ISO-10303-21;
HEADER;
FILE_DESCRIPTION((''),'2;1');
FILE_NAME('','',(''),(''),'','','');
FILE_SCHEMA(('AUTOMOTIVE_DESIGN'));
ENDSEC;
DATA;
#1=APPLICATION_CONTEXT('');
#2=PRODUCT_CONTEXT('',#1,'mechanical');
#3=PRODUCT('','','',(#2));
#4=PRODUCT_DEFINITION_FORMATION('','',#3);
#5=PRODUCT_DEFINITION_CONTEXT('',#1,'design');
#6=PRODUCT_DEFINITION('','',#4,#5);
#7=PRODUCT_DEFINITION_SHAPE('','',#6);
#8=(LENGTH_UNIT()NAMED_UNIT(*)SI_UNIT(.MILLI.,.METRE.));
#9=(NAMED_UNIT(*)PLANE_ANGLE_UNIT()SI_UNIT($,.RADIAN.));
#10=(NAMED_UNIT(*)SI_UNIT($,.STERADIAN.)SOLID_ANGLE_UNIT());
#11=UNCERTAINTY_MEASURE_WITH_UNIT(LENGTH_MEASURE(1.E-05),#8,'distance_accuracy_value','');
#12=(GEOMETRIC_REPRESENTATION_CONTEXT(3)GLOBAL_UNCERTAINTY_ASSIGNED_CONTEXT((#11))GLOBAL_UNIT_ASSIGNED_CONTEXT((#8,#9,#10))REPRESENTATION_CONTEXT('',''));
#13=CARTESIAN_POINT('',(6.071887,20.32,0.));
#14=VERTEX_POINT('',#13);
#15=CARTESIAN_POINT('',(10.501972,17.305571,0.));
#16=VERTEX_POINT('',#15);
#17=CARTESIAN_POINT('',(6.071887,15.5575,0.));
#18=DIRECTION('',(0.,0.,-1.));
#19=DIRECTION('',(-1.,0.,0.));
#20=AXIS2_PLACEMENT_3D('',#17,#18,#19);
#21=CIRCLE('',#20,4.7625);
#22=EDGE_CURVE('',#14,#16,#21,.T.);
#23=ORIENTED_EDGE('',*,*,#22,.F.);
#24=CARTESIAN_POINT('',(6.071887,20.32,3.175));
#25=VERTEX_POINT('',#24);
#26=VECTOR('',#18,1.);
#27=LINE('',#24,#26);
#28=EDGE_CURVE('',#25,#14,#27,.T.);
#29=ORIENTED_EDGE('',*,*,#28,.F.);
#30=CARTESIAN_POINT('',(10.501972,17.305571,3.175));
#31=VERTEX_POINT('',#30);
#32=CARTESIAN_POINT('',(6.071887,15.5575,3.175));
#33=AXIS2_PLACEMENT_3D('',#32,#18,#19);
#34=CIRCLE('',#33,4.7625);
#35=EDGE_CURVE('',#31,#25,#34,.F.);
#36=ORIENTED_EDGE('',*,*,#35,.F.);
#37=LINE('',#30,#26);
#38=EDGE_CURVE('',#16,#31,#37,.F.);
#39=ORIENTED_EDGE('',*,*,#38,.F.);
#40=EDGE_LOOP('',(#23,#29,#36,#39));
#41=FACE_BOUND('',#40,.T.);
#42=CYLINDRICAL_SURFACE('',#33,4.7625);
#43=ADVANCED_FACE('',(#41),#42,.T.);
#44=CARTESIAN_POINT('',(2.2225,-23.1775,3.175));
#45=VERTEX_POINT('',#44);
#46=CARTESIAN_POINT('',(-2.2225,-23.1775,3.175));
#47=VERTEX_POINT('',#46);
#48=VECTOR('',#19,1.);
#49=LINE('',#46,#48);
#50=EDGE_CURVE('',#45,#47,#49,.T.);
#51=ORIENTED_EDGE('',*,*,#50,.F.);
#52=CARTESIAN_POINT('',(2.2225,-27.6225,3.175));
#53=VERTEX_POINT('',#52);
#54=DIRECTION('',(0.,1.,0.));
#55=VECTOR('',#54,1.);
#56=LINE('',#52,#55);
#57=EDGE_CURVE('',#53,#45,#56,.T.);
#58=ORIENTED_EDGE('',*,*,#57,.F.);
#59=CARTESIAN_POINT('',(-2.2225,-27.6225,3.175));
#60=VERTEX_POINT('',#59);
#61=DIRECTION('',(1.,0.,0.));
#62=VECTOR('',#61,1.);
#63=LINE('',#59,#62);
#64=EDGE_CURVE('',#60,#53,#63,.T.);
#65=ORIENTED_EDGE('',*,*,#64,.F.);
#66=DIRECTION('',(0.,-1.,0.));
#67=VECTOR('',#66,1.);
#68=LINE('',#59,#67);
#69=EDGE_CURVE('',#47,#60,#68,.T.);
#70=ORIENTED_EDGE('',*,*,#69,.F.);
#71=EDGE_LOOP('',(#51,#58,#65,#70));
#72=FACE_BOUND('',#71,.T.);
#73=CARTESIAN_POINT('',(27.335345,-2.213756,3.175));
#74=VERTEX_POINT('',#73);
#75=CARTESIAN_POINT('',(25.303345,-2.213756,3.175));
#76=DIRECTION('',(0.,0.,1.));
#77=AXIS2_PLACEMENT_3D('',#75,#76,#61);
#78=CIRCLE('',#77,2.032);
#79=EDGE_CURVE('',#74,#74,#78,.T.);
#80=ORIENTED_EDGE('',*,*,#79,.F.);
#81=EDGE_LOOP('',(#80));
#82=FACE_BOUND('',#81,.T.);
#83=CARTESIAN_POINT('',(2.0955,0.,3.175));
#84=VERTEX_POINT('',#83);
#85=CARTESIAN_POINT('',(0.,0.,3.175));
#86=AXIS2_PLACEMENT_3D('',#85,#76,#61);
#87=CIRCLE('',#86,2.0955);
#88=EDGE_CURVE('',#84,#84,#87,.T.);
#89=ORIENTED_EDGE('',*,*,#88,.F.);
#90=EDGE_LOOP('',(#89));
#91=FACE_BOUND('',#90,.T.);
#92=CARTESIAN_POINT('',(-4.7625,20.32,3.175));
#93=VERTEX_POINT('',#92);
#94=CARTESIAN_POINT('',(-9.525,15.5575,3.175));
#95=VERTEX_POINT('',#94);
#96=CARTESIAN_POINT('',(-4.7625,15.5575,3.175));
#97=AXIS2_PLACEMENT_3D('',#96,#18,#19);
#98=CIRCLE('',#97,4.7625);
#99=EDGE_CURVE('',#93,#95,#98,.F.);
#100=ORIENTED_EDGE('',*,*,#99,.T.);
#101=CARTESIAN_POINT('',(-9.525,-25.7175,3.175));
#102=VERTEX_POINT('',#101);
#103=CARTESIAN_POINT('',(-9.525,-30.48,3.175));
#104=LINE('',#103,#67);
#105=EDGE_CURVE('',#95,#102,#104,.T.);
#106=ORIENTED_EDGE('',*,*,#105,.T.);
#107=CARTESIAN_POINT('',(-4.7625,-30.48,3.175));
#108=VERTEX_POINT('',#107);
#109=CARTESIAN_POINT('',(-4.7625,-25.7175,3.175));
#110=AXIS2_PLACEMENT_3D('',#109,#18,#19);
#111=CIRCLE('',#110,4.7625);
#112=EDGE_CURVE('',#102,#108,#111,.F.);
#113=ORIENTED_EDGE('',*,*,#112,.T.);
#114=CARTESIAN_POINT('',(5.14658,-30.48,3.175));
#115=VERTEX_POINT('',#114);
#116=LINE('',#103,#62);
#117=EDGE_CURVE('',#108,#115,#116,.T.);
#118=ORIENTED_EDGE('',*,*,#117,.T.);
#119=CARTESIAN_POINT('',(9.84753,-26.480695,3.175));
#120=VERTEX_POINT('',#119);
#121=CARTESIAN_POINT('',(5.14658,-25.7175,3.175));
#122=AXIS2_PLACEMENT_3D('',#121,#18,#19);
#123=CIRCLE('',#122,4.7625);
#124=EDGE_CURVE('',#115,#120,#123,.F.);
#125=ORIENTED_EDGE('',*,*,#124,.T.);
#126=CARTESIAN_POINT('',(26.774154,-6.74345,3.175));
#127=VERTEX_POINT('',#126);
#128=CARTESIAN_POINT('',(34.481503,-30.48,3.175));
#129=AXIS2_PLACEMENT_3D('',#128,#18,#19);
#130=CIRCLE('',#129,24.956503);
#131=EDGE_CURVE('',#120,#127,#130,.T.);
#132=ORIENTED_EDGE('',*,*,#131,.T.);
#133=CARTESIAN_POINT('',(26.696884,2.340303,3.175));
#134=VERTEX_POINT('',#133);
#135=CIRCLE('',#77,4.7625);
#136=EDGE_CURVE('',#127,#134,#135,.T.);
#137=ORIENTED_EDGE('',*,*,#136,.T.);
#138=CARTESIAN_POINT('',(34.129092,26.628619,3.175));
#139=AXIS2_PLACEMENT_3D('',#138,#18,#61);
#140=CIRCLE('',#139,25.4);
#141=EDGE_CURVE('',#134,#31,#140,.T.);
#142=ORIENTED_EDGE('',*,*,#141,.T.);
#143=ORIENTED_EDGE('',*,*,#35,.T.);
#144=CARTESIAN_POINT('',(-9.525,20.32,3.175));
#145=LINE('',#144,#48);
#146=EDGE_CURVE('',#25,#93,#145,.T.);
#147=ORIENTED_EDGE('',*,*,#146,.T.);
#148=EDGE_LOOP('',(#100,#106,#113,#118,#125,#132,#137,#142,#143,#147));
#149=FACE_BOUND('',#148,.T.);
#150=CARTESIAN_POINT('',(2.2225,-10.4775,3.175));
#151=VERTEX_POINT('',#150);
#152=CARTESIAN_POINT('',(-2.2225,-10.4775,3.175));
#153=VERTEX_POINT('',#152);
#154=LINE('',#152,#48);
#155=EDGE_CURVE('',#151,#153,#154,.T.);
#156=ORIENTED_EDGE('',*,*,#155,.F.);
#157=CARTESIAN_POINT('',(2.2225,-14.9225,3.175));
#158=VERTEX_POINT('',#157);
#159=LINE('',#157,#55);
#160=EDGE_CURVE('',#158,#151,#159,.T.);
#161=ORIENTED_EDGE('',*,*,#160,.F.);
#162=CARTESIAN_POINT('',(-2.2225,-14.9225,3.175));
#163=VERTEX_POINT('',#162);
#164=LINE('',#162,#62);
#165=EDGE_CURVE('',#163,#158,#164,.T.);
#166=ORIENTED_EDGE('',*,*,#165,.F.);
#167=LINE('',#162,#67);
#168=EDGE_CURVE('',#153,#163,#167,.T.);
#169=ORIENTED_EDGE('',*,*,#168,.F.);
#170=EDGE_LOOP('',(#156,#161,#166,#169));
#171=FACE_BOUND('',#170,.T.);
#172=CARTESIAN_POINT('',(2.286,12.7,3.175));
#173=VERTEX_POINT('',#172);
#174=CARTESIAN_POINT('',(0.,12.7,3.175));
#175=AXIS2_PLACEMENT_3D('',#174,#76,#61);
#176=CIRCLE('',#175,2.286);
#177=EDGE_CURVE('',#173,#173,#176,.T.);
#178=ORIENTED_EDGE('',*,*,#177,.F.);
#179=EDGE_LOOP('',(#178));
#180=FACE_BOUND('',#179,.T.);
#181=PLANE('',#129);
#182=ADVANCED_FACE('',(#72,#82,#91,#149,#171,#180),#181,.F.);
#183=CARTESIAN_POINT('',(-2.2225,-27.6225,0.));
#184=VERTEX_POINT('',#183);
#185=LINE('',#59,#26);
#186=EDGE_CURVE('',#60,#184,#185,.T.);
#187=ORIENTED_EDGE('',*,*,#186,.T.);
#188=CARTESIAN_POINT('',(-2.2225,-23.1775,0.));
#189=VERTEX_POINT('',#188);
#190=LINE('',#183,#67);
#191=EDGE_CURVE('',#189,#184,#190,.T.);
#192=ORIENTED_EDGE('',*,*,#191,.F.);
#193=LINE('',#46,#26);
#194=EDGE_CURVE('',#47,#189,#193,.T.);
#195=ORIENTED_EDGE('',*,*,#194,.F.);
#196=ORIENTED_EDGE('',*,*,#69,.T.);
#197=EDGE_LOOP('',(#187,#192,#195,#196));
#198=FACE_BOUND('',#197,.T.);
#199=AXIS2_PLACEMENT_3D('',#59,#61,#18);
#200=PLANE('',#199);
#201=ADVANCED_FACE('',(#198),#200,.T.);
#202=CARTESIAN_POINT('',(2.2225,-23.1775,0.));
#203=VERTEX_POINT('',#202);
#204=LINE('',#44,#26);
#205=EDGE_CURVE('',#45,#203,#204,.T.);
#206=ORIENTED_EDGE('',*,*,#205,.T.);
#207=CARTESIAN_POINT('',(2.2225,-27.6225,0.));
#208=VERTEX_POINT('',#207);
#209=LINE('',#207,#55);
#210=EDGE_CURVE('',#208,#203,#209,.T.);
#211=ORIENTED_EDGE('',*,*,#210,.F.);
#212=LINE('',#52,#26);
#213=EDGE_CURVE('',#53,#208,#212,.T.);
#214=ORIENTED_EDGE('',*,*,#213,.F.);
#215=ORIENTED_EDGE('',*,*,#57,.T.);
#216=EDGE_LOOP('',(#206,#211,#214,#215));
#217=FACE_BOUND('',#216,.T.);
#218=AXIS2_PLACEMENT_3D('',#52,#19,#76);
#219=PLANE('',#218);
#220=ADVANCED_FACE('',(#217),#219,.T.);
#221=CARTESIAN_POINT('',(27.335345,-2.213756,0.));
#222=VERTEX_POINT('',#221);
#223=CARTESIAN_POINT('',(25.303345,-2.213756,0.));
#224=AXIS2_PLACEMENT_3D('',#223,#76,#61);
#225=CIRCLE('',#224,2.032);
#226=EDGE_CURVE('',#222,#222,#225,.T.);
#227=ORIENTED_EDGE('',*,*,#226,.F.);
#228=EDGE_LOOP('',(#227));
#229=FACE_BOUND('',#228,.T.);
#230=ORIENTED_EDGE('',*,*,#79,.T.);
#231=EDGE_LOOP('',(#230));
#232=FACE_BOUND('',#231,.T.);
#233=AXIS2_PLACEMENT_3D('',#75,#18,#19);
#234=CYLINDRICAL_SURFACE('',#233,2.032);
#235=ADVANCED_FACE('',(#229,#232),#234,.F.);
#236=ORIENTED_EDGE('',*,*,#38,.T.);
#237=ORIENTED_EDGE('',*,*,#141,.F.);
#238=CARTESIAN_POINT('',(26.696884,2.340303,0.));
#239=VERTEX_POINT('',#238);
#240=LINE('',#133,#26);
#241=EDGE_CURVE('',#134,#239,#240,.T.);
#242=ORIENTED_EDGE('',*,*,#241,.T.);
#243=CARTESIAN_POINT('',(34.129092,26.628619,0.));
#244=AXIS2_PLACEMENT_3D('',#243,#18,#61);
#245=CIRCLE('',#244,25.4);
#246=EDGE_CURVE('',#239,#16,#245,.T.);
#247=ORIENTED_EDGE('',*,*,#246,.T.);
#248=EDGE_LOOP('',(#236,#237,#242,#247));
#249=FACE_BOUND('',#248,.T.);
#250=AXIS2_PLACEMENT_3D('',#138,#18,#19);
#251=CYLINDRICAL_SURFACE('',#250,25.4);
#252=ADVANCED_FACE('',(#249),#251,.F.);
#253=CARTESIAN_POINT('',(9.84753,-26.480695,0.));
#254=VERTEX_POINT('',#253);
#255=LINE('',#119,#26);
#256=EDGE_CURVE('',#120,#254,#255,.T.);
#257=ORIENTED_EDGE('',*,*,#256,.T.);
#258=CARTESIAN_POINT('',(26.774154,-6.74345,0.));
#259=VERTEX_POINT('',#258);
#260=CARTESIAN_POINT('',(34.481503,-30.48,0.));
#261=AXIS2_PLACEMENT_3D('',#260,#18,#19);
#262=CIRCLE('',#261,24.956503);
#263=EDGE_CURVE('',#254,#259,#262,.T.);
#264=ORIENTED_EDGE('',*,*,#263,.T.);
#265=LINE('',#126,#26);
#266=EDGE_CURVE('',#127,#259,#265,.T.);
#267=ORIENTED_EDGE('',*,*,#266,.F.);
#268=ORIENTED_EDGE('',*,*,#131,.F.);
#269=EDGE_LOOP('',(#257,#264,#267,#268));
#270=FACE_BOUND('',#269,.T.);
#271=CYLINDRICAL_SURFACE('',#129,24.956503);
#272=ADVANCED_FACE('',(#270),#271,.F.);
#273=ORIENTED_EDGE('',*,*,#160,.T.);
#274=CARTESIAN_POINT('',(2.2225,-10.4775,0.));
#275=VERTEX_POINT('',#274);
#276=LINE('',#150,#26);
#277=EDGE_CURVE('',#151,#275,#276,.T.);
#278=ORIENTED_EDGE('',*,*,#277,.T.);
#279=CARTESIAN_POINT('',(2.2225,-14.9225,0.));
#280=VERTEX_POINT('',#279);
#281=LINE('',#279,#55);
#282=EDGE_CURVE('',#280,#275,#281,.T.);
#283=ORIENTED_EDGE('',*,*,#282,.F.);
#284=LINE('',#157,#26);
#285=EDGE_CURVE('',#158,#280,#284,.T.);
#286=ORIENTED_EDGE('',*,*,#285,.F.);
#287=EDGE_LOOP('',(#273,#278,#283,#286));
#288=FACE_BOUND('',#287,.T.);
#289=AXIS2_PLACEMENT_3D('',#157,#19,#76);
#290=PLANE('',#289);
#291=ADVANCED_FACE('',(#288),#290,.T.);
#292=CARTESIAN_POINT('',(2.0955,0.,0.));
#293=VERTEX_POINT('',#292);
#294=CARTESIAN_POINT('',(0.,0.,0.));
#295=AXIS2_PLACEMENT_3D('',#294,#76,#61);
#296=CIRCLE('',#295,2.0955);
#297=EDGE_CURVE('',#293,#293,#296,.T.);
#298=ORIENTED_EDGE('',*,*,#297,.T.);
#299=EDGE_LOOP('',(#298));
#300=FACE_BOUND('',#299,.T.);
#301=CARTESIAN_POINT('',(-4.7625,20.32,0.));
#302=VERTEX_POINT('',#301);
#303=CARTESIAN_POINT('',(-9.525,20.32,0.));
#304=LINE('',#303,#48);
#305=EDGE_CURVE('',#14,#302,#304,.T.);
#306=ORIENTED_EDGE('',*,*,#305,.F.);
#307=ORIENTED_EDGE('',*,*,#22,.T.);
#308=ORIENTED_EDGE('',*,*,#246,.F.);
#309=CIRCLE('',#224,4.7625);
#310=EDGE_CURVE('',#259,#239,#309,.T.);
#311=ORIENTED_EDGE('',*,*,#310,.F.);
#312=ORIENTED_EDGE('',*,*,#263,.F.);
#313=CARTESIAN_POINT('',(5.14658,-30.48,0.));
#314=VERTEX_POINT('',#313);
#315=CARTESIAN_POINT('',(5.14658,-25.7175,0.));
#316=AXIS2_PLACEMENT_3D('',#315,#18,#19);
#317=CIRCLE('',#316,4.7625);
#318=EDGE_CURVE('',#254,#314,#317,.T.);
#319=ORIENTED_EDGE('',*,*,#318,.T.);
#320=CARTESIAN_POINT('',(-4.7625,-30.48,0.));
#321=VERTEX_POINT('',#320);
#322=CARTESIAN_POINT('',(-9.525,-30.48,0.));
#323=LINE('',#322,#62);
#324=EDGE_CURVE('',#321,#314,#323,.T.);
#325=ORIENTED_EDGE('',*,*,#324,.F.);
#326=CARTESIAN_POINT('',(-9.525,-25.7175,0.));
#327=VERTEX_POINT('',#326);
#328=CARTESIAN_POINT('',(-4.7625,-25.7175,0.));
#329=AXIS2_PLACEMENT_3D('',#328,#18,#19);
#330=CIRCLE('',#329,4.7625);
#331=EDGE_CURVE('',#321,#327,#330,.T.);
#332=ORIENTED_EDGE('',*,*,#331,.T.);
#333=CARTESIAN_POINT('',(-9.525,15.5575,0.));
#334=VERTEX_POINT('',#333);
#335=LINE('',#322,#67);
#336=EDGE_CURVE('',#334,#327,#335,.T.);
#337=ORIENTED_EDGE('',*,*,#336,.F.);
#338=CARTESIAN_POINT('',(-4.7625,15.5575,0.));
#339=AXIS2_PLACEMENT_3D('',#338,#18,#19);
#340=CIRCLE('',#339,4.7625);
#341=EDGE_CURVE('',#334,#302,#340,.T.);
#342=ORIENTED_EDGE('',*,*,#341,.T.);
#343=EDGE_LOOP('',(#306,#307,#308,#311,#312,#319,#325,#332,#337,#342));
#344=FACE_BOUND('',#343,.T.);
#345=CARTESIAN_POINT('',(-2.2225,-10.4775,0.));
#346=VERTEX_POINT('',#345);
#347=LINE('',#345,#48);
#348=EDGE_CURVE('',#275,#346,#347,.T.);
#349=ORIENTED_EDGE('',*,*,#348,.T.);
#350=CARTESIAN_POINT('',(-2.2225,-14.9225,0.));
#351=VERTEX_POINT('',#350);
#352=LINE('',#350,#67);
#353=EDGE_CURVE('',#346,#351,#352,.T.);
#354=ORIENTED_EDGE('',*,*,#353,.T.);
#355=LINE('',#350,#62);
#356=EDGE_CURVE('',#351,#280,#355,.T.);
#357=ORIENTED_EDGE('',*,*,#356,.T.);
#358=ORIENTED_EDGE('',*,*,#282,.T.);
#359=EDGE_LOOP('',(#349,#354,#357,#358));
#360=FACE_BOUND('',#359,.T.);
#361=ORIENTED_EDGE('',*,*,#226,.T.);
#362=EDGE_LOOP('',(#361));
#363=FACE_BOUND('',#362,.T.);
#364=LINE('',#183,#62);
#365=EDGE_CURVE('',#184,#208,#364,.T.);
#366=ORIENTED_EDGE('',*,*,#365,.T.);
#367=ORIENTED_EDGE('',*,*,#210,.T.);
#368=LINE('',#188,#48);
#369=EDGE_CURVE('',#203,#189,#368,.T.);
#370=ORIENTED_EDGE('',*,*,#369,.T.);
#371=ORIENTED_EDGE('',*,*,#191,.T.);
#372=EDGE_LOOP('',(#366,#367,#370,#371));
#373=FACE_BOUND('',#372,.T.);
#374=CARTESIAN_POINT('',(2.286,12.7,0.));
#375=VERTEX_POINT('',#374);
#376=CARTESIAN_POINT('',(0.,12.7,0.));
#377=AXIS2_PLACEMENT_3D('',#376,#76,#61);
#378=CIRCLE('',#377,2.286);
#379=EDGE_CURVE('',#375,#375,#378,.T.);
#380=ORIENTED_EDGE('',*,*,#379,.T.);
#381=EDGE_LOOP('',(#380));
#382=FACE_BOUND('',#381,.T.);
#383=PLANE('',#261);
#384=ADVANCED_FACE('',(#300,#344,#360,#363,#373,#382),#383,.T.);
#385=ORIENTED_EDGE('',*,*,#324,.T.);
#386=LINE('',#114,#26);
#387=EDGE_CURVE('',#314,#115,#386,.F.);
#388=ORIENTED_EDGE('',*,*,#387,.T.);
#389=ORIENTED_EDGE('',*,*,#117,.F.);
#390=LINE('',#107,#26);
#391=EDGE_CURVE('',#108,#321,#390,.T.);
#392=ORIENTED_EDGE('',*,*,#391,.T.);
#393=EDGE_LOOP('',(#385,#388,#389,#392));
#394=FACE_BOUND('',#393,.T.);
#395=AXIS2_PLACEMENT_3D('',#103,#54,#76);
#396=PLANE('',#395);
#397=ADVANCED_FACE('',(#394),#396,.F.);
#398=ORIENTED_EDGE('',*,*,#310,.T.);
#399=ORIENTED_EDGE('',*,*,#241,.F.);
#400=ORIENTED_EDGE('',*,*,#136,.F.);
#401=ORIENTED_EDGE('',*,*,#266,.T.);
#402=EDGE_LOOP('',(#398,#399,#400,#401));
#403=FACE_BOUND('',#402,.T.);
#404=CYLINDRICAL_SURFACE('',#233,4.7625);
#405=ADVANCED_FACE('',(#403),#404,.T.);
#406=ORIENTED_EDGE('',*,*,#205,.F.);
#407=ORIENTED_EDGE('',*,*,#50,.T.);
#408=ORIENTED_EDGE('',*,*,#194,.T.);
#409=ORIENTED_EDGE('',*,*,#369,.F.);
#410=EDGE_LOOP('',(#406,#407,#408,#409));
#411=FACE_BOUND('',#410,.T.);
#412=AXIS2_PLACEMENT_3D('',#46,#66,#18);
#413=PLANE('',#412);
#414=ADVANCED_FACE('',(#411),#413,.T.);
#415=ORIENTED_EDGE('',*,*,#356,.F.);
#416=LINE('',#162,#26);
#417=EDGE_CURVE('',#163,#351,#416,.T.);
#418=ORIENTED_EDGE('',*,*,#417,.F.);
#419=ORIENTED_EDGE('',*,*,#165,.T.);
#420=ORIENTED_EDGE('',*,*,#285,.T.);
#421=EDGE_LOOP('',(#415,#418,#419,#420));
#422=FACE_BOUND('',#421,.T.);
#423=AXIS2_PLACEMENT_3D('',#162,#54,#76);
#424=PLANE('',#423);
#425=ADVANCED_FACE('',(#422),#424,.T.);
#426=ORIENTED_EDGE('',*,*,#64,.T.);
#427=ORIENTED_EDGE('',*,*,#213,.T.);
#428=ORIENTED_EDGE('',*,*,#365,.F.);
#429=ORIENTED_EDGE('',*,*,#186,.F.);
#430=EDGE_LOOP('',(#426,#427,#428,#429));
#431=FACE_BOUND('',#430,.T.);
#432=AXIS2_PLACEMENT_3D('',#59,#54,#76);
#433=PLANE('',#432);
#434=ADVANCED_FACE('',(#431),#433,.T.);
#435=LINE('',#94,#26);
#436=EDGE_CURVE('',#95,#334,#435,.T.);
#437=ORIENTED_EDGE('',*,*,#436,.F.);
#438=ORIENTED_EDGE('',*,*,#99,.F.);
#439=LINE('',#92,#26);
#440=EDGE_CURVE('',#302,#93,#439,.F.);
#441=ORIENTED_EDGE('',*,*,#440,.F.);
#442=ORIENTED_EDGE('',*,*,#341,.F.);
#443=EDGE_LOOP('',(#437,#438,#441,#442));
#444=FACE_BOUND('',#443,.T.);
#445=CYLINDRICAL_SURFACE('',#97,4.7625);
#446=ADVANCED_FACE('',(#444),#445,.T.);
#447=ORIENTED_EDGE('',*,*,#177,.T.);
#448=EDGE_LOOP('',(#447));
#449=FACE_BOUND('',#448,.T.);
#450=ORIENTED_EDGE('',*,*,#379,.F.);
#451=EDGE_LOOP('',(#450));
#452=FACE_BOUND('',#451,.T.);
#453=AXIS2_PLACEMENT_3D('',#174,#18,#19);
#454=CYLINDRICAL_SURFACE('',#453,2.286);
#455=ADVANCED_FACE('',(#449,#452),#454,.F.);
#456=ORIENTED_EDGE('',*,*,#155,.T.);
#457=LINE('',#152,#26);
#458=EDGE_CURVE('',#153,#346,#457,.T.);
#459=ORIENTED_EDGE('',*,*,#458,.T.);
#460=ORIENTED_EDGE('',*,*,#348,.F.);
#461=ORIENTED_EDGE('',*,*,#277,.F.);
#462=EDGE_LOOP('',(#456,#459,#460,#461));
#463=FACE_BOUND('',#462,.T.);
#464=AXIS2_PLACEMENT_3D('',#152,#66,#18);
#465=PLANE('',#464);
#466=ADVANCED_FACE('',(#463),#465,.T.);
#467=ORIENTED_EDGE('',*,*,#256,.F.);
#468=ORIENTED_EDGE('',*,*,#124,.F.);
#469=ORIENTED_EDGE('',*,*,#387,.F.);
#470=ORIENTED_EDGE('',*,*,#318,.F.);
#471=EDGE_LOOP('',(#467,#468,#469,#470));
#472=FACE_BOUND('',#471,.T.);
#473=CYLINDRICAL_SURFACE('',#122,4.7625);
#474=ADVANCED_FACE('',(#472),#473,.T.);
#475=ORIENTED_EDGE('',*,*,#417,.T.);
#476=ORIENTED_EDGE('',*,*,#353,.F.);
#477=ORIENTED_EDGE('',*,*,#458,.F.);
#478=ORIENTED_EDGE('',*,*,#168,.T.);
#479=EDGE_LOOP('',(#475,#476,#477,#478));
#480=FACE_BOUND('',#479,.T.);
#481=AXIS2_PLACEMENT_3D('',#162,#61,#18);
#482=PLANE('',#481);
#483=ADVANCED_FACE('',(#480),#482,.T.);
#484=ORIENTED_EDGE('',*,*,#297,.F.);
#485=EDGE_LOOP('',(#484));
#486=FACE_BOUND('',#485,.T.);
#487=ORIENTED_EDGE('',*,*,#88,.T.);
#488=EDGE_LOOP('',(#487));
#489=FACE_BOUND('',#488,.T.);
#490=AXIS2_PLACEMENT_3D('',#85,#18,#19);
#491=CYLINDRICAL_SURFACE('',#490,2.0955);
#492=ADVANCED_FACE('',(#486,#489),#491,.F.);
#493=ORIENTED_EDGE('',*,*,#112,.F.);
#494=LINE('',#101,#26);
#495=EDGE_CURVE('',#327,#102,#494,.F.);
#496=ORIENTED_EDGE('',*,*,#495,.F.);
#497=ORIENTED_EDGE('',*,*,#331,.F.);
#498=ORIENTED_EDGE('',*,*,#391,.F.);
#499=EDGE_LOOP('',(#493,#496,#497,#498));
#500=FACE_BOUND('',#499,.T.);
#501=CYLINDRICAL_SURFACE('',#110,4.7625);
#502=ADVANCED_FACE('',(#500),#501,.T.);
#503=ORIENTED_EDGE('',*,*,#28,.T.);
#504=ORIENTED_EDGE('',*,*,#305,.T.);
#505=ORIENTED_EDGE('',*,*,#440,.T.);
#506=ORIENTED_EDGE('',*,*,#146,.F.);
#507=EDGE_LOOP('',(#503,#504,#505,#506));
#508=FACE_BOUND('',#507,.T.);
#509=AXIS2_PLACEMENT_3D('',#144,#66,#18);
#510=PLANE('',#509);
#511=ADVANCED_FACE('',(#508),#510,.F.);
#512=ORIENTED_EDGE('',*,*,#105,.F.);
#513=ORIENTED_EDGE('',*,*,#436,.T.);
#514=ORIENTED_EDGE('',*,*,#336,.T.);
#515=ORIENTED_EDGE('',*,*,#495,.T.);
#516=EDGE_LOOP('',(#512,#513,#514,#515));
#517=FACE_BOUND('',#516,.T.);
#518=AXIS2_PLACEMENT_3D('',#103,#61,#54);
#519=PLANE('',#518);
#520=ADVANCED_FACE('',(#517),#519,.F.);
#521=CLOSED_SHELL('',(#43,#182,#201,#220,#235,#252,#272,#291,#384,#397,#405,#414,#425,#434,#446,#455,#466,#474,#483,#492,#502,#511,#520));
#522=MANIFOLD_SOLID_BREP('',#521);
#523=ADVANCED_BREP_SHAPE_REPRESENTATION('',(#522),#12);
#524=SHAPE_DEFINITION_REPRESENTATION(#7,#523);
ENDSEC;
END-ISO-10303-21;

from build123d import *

# Parameters (mm, degrees)
SKETCH1_R           = 2.032
SKETCH1_R_2         = 2.286
SKETCH1_R_3         = 2.0955
SKETCH1_W           = 4.445
SKETCH1_H           = 4.445
BOSS_EXTRUDE1_DEPTH = 3.175
FILLET1_R           = 4.7625


with BuildPart() as part:
    # Sketch1 → Boss-Extrude1 (new body)
    with BuildSketch(Plane.XY):
        with BuildLine():
            Line((-9.525, -30.48), (-9.525, 20.32))
            Line((-9.525, 20.32), (9.525, 20.32))
            ThreePointArc((9.525, 20.32), (15.760681597, 9.08548638), (26.69688421, 2.340303383))
            ThreePointArc((26.69688421, 2.340303383), (30.065673036, -2.173245584), (26.774154282, -6.743449816))
            ThreePointArc((26.774154282, -6.743449816), (14.292700247, -15.808964436), (9.525, -30.48))
            Line((9.525, -30.48), (-9.525, -30.48))
        make_face()
        with Locations((25.303345332, -2.213755866)):
            Circle(SKETCH1_R, mode=Mode.SUBTRACT)
        with Locations((0, 12.7)):
            Circle(SKETCH1_R_2, mode=Mode.SUBTRACT)
        Circle(SKETCH1_R_3, mode=Mode.SUBTRACT)
        with Locations((0, -25.4)):
            Rectangle(SKETCH1_W, SKETCH1_H, mode=Mode.SUBTRACT)
        with Locations((0, -12.7)):
            Rectangle(SKETCH1_W, SKETCH1_H, mode=Mode.SUBTRACT)
    extrude(amount=BOSS_EXTRUDE1_DEPTH)

    # Fillet1
    fillet1_edges = [part.edges().sort_by_distance(p)[0] for p in [
        (-9.525, -30.48, 1.5875),
        (-9.525, 20.32, 1.5875),
        (9.525, 20.32, 1.5875),
        (9.525, -30.48, 1.5875),
    ]]
    fillet(fillet1_edges, radius=FILLET1_R)


solid = part.part
